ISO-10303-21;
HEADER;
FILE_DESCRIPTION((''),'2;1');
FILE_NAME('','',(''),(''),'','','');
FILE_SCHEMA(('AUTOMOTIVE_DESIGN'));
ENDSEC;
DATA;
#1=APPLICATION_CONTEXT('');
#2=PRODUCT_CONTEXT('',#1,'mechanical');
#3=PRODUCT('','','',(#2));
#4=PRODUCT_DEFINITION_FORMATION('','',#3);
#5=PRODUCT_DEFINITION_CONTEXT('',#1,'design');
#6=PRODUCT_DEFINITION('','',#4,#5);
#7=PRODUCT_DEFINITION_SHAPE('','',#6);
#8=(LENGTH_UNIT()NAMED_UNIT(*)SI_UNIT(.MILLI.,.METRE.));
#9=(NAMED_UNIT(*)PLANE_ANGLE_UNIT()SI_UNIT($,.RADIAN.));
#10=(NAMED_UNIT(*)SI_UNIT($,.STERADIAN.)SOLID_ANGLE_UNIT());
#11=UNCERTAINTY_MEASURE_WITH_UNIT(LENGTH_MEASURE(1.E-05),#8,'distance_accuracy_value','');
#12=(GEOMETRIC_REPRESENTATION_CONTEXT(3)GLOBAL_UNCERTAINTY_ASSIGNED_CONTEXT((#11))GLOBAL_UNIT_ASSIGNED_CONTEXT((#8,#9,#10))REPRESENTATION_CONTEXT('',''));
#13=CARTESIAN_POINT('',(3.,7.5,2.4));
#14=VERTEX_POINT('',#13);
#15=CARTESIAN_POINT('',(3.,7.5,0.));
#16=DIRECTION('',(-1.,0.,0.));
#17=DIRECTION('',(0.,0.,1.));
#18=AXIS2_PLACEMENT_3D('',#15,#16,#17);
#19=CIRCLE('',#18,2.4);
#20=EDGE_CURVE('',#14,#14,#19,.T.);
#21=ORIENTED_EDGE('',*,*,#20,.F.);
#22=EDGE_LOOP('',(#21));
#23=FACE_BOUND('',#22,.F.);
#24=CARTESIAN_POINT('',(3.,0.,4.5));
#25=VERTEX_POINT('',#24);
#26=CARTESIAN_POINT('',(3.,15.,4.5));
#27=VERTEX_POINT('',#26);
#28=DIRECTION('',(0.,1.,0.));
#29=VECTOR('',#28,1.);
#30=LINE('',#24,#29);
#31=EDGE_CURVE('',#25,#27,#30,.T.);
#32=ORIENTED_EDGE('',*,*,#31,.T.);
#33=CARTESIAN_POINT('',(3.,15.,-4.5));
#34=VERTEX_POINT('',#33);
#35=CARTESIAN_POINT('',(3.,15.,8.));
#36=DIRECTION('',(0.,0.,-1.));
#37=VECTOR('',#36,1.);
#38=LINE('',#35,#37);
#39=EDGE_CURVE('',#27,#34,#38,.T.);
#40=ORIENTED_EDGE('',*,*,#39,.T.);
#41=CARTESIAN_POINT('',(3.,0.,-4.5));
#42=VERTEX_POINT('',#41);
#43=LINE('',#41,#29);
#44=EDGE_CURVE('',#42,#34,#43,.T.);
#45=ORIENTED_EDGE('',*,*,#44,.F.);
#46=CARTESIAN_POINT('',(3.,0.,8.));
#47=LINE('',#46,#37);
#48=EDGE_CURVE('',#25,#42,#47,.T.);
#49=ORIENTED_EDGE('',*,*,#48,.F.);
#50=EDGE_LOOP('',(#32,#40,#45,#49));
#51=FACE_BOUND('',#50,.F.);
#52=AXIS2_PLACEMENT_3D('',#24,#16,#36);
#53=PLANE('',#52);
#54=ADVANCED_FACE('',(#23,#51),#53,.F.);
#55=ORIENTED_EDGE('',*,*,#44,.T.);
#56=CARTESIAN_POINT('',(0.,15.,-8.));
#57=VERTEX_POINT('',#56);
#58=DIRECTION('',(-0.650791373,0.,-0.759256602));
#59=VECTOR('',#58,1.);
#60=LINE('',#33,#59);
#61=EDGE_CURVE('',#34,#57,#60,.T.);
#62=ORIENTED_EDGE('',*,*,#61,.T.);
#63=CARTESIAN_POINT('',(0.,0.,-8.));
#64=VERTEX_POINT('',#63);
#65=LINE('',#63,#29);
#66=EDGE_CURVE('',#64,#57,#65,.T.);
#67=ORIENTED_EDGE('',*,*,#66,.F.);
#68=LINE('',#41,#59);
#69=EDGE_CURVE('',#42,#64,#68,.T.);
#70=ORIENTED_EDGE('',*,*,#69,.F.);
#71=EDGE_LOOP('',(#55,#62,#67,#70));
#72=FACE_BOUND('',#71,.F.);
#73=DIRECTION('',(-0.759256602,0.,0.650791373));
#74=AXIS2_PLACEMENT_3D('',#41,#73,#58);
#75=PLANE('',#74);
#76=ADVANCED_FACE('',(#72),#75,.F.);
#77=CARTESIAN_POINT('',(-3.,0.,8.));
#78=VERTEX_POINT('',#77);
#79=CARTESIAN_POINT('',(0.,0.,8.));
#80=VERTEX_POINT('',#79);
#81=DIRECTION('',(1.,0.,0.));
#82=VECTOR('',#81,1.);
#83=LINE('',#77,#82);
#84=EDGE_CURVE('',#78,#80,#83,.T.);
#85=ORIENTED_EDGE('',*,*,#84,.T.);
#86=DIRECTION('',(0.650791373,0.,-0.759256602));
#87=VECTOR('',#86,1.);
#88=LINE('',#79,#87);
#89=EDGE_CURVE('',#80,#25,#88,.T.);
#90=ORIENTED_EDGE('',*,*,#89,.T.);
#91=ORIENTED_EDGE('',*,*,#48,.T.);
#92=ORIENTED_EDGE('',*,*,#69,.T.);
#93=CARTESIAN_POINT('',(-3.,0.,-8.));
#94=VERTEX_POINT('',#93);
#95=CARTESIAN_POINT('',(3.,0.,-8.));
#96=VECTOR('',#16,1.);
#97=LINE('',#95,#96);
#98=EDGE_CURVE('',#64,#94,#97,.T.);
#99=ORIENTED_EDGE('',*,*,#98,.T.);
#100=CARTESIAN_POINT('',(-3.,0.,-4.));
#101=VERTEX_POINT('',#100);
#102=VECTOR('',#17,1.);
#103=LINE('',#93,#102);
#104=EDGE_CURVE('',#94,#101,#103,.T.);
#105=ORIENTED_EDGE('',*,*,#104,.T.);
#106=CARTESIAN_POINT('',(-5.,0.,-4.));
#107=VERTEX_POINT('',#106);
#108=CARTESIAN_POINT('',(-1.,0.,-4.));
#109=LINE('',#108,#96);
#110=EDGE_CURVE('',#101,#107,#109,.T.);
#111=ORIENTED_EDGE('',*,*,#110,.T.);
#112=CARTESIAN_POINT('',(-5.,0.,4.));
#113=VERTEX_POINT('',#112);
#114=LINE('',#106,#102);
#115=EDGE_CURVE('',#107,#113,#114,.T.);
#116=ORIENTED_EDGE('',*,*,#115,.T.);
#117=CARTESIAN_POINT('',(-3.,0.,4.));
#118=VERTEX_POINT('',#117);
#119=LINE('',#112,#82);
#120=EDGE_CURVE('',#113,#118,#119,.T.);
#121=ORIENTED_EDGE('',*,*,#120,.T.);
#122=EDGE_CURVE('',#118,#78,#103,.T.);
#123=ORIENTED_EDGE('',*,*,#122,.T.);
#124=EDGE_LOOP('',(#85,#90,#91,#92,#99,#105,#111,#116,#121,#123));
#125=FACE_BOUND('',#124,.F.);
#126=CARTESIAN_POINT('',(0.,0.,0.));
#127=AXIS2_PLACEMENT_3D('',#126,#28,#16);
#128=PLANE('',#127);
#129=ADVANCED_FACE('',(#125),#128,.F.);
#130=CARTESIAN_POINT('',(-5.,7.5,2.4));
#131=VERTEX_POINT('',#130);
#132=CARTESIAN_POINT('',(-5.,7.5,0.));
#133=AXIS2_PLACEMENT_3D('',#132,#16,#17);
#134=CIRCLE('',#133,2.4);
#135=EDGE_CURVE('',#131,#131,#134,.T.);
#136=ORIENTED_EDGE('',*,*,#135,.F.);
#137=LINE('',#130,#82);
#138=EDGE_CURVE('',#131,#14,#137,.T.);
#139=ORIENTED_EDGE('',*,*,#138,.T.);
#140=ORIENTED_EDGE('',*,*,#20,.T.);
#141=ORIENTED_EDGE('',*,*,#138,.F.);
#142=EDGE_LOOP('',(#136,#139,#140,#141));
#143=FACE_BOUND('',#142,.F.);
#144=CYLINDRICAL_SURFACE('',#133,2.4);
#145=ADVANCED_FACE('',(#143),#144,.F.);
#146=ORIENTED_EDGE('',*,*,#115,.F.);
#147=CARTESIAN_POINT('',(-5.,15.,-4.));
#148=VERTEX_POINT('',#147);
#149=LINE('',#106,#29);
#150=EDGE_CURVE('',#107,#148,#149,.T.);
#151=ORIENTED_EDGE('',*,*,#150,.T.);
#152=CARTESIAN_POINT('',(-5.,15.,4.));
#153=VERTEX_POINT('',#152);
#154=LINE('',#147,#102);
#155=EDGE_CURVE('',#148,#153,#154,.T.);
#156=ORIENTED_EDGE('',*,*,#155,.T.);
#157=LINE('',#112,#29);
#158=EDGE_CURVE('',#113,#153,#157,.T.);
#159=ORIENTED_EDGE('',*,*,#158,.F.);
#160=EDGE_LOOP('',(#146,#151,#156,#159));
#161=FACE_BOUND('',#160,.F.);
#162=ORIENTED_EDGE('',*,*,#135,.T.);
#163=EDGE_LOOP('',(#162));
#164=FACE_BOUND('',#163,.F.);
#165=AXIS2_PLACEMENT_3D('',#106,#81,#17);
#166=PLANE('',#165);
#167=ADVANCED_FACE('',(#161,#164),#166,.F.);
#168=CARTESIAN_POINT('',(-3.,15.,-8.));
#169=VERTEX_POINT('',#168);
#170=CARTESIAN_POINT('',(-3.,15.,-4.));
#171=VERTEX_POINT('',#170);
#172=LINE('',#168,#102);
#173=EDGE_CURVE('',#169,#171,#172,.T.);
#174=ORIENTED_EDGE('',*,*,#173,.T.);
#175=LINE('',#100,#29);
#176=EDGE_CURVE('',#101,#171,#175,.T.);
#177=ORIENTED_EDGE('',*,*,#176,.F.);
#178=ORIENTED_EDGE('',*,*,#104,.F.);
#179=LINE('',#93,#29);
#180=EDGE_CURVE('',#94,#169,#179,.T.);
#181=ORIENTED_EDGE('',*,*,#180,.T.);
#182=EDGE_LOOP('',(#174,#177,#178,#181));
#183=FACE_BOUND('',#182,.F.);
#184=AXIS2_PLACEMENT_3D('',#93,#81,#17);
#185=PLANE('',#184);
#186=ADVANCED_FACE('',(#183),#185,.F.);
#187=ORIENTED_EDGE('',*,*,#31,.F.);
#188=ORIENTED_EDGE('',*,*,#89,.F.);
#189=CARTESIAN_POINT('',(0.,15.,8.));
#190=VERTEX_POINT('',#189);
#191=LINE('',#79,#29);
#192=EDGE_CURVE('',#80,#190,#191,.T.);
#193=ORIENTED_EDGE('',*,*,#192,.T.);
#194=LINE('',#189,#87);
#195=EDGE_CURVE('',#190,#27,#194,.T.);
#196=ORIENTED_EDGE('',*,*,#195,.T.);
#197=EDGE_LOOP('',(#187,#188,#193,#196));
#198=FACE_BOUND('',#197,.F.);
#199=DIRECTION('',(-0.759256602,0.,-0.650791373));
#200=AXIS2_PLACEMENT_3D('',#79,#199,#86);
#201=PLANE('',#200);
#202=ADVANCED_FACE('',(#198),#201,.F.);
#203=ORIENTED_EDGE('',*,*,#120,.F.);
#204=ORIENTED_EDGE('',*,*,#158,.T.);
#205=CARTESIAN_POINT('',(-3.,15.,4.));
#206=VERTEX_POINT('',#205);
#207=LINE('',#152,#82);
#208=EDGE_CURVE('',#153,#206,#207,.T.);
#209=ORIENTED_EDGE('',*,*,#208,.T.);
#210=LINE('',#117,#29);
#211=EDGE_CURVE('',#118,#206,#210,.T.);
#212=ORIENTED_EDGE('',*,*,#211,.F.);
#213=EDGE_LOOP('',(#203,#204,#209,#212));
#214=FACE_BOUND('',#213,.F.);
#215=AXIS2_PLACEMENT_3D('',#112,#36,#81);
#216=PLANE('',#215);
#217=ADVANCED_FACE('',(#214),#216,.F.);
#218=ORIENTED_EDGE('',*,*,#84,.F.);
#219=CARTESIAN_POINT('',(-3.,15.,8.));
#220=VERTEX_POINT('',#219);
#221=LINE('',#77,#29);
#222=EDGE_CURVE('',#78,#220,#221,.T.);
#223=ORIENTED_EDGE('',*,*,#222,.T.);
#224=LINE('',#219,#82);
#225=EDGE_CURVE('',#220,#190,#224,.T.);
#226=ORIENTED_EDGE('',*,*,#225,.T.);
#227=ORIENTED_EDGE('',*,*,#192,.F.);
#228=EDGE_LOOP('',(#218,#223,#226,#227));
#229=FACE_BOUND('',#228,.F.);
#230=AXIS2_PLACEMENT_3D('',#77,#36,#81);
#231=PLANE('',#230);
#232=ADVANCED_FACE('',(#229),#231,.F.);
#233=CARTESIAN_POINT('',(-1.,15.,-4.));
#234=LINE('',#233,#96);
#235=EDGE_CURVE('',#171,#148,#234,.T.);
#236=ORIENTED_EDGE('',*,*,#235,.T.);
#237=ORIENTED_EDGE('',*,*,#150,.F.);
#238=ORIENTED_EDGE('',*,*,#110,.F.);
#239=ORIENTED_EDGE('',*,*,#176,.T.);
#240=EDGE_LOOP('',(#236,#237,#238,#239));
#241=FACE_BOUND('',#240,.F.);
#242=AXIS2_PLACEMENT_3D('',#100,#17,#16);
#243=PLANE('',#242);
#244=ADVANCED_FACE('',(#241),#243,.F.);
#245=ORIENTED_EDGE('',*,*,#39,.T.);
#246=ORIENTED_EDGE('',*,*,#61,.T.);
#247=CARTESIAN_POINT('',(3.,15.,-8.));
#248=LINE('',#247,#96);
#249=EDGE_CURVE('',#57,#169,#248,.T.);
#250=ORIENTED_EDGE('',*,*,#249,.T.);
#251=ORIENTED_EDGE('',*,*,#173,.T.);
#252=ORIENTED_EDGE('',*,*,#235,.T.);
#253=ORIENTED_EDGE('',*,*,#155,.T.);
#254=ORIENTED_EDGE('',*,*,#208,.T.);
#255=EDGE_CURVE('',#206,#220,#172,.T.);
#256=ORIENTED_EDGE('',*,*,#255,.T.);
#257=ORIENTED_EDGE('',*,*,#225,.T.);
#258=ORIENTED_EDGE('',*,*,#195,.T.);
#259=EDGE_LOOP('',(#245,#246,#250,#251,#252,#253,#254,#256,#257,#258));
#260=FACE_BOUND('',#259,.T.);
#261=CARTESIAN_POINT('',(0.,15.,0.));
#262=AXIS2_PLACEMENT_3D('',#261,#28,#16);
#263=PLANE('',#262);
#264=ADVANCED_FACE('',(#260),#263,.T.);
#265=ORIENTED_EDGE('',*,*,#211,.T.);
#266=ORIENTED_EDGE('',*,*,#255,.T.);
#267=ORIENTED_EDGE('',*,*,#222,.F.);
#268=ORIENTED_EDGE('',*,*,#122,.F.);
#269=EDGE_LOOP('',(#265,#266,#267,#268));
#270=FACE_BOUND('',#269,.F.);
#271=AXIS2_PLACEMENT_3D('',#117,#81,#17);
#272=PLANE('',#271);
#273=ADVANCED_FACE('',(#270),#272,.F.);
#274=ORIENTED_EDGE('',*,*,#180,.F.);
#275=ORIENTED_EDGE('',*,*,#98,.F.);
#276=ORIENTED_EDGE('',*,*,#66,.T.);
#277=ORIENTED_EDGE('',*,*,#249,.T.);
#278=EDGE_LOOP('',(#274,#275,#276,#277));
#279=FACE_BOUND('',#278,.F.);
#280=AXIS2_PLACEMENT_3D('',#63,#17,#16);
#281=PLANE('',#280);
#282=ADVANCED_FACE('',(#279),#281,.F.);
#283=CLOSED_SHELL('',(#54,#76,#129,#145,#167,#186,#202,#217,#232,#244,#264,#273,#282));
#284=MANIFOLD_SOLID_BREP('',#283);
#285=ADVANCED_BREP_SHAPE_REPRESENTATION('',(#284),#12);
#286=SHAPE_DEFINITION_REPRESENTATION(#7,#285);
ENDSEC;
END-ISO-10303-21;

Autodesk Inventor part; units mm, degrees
ref_plane "YZ Plane" through (0, 0, 0) normal (1, 0, 0) x (0, 1, 0)
ref_plane "XZ Plane" through (0, 0, 0) normal (0, 1, 0) x (-1, 0, 0)
ref_plane "XY Plane" through (0, 0, 0) normal (0, 0, 1) x (1, 0, 0)
sketch "Sketch1" plane through (0, 0, 0) normal (0, 1, 0) x (-1, 0, 0)
  line L0 (3, 8) -> (-3, 8)
  line L1 (-3, 8) -> (-3, -8)
  line L2 (-3, -8) -> (3, -8)
  line L3 (3, -8) -> (3, 8)
  line L4 (3, 8) -> (-3, -8) construction
  line L5 (-3, 8) -> (3, -8) construction
  line L6 (5, 4) -> (1, 4)
  line L7 (1, 4) -> (1, -4)
  line L8 (1, -4) -> (5, -4)
  line L9 (5, -4) -> (5, 4)
  line L10 (5, 4) -> (1, -4) construction
  line L11 (1, 4) -> (5, -4) construction
  line L12 (0, 8) -> (-3, 4.5)
  line L13 (-3, -4.5) -> (0, -8)
  point P0 (0, 0)
  point P1 (3, 0)
  point P2 (-3, 0)
  point P3 (3, 4)
  point P4 (3, -4)
  dimension "d0" = 6
  dimension "d1" = 16
  dimension "d2" = 4
  dimension "d3" = 8
  dimension "d4" = 3
  dimension "d5" = 3
  dimension "d6" = 9
  dimension "d7" = 4.5
extrude "Extrusion1" add sketch "Sketch1" along normal blind 15 contours L3 L6 L7 L8 L2 L13 L1 L12 L0 | L6 L9 L8 L3 | L3 L8 L7 L6
sketch "Sketch2" plane through (-5, 0, -4) normal (-1, 0, 0) x (0, 0, 1)
  circle A0 centre (4, 7.5) radius 2.4
  line L0 (0, 0) -> (8, 0) projected
  line L1 (8, 0) -> (8, 15) projected
  point P0 (4, 0)
  dimension "d10" = 4.8
  dimension "d11" = 7.5
  dimension "d12" = 4
extrude "Extrusion2" cut sketch "Sketch2" against normal through all
properties part number "drazkaVel"
